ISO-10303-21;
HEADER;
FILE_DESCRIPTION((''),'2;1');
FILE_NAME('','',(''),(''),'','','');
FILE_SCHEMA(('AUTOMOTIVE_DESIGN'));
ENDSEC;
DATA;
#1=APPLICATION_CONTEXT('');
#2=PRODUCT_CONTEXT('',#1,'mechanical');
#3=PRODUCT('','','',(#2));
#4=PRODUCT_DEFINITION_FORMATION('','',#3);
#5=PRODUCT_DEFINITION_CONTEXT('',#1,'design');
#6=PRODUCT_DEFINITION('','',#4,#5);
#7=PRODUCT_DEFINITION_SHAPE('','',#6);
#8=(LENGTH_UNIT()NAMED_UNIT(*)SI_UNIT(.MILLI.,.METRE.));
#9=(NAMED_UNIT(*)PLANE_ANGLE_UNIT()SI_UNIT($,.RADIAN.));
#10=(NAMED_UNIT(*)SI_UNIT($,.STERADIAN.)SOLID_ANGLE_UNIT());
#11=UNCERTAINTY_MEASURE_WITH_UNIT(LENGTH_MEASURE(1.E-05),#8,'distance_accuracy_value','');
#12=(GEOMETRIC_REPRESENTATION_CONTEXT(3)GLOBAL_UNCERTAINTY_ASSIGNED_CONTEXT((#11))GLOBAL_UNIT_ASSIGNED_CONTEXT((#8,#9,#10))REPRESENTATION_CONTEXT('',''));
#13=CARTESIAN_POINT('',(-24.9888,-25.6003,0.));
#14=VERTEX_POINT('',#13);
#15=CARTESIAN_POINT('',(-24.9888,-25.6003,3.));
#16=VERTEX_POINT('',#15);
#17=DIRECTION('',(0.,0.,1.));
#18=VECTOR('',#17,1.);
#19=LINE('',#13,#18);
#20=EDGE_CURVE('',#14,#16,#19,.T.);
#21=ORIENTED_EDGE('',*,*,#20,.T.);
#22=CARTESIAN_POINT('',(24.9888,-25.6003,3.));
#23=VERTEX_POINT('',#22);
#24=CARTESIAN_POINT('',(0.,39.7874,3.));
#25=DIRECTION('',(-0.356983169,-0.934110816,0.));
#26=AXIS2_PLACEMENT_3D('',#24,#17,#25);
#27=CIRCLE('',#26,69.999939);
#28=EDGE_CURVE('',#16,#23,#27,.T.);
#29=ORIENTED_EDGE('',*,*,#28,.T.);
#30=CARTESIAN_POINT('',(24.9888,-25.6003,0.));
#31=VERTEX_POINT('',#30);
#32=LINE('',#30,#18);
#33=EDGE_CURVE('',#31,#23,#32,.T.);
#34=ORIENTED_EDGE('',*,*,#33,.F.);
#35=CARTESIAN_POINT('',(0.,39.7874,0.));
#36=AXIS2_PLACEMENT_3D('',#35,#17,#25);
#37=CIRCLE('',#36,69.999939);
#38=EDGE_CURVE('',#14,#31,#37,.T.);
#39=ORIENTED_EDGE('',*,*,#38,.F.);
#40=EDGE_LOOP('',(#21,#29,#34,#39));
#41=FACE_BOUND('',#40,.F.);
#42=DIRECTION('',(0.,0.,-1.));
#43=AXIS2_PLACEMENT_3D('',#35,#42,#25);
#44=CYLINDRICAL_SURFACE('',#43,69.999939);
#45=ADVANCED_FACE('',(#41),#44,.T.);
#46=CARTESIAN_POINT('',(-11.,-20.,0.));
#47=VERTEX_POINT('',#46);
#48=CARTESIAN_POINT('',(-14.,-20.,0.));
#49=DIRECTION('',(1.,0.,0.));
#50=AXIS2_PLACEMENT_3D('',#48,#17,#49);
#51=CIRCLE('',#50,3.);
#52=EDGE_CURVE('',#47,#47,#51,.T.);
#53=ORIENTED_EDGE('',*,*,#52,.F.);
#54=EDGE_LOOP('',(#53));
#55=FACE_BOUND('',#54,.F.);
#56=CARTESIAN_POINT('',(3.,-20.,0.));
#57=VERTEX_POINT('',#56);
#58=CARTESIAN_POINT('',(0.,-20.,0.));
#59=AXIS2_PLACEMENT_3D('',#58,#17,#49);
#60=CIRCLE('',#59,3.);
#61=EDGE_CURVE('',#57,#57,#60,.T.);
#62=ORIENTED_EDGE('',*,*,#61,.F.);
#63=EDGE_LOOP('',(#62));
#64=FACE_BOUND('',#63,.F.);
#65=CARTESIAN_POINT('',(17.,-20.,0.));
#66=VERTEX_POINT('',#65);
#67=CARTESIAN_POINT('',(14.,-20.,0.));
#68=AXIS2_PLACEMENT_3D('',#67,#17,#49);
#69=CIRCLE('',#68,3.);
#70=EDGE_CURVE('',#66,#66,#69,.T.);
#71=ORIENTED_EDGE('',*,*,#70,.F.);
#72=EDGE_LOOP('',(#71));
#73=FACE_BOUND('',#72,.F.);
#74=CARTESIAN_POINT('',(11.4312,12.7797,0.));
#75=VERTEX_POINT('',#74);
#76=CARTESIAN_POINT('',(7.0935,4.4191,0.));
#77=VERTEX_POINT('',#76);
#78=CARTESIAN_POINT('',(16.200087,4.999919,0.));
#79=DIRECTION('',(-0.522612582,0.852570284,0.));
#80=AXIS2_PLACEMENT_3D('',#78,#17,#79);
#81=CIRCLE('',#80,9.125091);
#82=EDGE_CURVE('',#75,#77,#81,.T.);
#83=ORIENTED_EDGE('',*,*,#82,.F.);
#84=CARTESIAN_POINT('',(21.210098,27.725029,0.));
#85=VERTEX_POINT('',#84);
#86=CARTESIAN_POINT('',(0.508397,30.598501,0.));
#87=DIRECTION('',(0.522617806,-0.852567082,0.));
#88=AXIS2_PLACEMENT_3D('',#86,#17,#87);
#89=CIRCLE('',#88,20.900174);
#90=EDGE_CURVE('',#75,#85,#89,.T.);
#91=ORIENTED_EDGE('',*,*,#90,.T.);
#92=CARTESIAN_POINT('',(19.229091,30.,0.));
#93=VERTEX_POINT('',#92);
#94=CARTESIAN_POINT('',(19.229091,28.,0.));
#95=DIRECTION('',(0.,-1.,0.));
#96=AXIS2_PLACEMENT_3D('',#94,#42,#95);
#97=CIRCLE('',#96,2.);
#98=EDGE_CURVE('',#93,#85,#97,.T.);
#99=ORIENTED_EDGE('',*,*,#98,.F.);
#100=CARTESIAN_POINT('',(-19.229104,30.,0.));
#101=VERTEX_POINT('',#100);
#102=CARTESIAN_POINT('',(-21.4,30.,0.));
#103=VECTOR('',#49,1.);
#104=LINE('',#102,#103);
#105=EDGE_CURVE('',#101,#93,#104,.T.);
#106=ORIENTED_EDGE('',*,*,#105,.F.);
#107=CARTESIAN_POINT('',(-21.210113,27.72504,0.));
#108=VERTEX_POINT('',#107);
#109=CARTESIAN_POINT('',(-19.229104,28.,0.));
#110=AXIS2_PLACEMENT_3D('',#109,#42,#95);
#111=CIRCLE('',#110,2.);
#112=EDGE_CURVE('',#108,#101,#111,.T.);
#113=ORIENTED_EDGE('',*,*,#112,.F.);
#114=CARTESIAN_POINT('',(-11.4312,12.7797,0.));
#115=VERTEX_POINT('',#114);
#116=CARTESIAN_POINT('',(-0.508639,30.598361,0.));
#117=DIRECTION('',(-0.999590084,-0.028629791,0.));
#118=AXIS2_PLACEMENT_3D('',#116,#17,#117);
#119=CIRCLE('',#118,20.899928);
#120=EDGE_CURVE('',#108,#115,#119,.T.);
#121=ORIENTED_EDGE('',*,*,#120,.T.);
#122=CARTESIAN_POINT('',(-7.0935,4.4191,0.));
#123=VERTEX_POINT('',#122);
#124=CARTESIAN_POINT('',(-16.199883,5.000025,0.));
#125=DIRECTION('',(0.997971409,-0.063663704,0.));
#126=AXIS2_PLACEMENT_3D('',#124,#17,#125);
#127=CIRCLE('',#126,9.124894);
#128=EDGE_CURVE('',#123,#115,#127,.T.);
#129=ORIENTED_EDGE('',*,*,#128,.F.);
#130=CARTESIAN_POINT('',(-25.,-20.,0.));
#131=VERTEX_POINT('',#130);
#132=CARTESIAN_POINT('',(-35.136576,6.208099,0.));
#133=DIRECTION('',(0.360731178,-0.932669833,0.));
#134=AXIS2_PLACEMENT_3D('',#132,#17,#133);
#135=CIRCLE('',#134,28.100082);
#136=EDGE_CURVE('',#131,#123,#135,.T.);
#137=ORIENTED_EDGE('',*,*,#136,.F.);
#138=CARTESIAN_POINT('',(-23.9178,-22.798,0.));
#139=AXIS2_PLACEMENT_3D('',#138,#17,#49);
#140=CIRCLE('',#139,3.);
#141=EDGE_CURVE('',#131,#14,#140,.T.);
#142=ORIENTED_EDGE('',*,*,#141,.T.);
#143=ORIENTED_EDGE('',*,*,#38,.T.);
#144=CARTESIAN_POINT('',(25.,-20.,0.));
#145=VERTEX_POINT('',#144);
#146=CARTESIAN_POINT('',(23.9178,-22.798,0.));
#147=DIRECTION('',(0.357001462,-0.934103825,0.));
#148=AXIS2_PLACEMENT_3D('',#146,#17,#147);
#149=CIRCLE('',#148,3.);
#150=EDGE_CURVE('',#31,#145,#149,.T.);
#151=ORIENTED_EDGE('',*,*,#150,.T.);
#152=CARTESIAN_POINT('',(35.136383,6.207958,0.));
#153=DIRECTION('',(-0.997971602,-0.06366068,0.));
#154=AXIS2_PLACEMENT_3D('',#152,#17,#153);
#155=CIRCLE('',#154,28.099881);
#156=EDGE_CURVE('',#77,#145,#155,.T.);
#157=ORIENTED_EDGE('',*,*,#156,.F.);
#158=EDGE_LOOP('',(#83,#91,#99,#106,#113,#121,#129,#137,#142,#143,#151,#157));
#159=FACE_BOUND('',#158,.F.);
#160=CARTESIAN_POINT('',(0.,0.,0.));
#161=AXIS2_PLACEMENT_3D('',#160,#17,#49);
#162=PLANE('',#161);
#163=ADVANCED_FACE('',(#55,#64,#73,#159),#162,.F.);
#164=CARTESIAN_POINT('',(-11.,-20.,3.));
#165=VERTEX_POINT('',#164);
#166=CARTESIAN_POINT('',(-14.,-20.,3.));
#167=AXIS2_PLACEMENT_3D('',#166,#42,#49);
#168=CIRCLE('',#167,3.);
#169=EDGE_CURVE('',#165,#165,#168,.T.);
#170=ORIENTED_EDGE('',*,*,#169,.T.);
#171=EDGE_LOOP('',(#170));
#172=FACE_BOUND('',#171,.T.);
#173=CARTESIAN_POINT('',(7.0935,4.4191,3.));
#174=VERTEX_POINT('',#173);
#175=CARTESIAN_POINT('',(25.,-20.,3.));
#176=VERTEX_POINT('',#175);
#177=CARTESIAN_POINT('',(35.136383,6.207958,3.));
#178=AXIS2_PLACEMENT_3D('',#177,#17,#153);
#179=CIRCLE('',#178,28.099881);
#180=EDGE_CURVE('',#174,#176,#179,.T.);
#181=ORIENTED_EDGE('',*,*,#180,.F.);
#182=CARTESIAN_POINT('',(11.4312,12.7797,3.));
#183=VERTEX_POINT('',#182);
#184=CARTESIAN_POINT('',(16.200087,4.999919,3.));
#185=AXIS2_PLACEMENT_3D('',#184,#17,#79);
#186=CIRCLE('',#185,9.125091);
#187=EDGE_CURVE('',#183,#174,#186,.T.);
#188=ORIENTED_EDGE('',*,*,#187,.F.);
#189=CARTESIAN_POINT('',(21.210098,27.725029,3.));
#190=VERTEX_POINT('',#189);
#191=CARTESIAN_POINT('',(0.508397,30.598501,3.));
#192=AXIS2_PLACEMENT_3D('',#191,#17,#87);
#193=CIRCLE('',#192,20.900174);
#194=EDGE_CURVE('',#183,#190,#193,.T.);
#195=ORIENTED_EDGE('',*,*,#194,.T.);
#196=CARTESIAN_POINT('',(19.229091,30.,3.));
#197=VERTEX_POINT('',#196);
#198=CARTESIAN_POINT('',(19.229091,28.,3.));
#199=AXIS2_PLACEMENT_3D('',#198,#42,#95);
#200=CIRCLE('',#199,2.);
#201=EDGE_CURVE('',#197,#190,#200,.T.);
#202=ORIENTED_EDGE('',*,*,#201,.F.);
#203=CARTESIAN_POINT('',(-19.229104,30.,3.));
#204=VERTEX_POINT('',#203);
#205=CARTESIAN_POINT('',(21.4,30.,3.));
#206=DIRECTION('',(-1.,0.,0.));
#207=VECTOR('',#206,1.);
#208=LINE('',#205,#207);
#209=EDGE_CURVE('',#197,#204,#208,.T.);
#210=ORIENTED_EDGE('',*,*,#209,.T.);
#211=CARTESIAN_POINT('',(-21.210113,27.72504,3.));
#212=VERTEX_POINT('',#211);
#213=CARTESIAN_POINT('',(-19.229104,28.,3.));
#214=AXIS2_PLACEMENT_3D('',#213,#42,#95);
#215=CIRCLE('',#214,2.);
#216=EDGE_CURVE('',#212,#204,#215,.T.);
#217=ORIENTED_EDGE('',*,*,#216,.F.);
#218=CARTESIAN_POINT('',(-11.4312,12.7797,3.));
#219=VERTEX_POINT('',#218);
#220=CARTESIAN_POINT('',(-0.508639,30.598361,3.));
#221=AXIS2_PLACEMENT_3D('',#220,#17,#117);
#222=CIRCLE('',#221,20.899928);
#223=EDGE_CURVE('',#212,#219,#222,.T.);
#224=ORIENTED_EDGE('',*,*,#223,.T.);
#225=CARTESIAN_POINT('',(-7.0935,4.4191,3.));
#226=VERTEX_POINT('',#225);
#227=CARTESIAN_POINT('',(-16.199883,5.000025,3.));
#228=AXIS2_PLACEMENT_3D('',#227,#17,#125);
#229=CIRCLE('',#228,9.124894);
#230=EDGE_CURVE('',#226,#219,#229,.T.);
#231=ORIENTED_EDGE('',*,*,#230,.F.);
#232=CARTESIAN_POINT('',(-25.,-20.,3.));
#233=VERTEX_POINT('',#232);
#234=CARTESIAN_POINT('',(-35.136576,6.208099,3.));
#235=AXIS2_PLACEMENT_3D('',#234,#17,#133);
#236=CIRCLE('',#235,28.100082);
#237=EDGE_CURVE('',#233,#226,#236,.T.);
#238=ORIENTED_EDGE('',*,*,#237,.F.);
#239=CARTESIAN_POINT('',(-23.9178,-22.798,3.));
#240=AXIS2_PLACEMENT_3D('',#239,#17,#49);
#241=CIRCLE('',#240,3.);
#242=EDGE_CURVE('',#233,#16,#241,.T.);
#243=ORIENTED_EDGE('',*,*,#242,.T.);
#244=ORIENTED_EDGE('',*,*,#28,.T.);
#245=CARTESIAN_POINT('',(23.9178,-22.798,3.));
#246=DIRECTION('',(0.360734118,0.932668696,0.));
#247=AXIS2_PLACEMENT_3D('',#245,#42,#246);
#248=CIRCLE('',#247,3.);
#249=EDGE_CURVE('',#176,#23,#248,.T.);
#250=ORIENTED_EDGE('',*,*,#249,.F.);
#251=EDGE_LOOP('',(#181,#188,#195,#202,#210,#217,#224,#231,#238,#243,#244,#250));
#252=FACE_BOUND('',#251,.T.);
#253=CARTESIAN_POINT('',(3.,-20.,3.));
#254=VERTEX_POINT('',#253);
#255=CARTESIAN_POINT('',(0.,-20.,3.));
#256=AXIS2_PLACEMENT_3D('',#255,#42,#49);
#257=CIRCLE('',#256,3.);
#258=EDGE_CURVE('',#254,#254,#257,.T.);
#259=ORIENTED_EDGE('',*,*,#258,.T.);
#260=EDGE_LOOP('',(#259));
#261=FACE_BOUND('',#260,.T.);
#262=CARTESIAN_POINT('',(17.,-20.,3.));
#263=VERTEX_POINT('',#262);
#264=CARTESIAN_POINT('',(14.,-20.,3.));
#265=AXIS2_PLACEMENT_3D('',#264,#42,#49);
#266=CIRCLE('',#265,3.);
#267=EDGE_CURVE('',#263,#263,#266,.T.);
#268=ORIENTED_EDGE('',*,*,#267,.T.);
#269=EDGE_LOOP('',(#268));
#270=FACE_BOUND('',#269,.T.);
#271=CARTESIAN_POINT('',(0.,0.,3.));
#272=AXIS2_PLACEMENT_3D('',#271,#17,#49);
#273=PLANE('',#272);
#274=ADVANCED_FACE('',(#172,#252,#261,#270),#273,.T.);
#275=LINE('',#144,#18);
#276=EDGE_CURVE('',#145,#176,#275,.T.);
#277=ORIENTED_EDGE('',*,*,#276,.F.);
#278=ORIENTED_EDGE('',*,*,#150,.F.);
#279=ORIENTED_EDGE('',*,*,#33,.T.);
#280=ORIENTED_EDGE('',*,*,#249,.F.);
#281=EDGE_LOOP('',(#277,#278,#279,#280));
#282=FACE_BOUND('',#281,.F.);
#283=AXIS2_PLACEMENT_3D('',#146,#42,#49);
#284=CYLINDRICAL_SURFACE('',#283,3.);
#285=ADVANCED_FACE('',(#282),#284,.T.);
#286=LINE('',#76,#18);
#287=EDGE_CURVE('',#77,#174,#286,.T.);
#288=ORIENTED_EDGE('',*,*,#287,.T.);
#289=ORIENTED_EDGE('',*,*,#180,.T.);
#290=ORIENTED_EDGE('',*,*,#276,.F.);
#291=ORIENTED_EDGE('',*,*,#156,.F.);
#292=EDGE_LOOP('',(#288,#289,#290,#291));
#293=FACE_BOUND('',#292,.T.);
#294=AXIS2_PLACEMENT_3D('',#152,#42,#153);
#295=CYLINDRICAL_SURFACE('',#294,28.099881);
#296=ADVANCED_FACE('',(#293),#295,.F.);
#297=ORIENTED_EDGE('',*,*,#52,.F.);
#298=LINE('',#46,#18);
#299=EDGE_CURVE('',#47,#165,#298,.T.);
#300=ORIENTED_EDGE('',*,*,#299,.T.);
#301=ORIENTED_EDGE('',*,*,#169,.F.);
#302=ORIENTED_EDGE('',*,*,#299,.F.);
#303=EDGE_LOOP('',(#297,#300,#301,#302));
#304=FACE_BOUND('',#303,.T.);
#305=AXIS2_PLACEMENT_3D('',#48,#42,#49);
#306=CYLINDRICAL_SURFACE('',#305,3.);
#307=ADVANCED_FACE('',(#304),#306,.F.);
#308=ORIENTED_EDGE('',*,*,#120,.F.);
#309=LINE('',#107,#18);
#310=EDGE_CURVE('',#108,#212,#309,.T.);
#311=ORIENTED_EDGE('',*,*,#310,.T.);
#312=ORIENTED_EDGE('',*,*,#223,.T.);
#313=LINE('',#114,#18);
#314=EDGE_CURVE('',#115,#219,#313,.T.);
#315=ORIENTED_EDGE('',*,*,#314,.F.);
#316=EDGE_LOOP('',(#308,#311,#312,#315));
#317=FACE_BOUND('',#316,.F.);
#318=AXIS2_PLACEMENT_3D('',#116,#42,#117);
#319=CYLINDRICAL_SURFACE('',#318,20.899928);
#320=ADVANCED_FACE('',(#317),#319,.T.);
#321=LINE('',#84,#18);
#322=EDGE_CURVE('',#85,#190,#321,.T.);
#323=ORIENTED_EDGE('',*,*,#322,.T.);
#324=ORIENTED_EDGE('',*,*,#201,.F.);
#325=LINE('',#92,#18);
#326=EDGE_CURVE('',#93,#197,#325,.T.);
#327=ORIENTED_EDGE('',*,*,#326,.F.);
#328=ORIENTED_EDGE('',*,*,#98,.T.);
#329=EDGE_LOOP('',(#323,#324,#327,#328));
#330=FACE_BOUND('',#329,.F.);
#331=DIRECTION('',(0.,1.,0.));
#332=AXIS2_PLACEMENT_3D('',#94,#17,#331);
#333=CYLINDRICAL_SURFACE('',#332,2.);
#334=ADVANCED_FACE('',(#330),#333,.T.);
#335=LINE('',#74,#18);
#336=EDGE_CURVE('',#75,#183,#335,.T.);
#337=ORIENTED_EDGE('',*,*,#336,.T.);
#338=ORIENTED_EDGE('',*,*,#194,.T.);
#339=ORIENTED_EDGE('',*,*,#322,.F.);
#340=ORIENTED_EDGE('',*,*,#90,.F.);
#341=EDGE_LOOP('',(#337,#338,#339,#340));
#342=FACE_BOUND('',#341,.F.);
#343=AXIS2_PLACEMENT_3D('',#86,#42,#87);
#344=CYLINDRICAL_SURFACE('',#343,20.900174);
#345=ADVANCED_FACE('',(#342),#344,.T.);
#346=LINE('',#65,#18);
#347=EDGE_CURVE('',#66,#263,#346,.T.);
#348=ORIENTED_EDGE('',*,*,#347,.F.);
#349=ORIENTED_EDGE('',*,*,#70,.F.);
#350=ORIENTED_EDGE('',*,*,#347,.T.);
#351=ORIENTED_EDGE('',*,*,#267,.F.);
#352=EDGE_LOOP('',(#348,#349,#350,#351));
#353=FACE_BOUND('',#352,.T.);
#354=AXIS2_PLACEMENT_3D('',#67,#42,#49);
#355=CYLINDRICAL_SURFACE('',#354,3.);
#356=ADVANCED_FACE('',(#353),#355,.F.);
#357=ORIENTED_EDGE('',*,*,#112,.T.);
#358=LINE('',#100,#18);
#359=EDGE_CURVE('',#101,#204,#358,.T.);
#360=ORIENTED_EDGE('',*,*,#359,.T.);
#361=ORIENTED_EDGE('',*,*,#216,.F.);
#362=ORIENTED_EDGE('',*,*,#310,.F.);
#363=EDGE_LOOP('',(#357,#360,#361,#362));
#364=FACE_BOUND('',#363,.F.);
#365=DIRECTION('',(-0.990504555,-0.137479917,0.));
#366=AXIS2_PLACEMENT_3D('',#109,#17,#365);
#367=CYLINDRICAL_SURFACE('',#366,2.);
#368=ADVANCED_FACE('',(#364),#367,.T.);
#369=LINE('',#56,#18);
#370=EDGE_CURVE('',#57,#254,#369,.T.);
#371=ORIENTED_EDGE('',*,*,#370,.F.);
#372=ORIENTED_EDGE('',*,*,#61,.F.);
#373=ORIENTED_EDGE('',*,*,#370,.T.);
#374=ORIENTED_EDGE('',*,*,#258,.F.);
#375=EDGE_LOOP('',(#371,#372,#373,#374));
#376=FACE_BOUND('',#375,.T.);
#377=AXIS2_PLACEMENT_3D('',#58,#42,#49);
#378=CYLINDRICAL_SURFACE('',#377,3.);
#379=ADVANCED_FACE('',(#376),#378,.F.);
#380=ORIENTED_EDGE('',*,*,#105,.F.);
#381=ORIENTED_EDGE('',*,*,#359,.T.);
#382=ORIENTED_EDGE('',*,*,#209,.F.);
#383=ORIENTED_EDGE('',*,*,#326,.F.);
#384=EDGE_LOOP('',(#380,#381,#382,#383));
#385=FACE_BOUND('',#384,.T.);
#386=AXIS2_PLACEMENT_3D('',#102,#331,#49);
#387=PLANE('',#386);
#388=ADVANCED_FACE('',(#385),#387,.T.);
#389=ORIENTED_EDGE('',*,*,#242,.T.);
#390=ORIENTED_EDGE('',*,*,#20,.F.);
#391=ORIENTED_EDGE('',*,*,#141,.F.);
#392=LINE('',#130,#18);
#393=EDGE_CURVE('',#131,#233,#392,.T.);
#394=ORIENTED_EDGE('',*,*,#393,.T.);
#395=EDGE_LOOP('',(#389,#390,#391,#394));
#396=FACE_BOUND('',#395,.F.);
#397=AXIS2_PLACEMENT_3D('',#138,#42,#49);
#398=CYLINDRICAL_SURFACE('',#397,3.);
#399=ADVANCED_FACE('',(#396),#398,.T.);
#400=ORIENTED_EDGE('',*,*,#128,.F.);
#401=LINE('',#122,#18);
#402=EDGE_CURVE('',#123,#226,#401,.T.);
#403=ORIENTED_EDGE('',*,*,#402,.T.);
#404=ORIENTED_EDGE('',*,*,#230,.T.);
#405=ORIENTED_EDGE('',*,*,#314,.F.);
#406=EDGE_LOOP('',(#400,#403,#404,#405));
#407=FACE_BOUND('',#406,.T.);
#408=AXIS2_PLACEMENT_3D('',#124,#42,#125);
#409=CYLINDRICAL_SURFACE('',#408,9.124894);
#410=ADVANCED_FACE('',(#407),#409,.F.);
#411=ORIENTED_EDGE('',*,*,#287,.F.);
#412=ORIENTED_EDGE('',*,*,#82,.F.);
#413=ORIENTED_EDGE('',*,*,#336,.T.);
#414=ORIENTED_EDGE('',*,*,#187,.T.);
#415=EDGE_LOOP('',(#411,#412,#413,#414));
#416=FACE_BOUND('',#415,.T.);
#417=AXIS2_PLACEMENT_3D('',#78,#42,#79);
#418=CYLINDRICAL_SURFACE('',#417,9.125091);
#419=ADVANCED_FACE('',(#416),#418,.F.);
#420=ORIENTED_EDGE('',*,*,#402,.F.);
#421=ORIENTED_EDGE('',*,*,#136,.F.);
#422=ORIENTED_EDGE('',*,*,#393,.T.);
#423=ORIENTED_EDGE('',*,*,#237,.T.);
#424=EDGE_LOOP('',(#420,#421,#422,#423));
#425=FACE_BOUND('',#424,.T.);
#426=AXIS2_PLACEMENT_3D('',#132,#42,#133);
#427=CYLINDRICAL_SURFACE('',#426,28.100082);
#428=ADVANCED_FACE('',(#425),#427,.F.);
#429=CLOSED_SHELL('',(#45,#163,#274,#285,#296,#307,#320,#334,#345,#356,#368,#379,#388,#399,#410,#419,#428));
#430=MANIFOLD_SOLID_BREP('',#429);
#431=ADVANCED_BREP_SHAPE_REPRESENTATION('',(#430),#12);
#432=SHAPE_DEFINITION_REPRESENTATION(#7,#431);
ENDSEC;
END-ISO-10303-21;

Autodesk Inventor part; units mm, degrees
ref_plane "YZ Plane" through (0, 0, 0) normal (1, 0, 0) x (0, 1, 0)
ref_plane "XZ Plane" through (0, 0, 0) normal (0, 1, 0) x (-1, 0, 0)
ref_plane "XY Plane" through (0, 0, 0) normal (0, 0, 1) x (1, 0, 0)
sketch "Sketch1" plane through (0, 0, 0) normal (0, 0, 1) x (1, 0, 0)
  circle A0 centre (16.2, 5) radius 9.025
  arc A1 (15.9625, 14.0219) -> (35.7029, 29.6112) centre (15.41, 35.0146) ccw
  arc A2 (8.6866, 0) -> (52.5133, -3.5421) centre (31.9968, 15.5125) ccw
  circle A3 centre (16.2, 5) radius 6.025
  arc A4 (70.0205, 42.4797) -> (35.7029, 29.6112) centre (57.4454, 23.8218) ccw
  circle A5 centre (14, -20) radius 3
  circle A6 centre (0, -20) radius 3
  circle A7 centre (-14, -20) radius 3
  line L0 (16.2, 5) -> (136.0469, 5) construction
  line L1 (16.2, 5) -> (120.1794, 65.0325) construction
  line L2 (16.2, 5) -> (136.265, 5) construction
  line L3 (16.2, 5) -> (121.2083, -55.6266) construction
  line L4 (16.2, 5) -> (137.4531, 5) construction
  arc A8 (11.4834, 12.6944) -> (20.7844, 36.0654) centre (0.5085, 30.5984) ccw construction
  arc A9 (7.1931, 4.4289) -> (43.377, -20.5519) centre (35.1365, 6.208) ccw construction
  arc A10 (11.4312, 12.7797) -> (21.4, 30) centre (0.5085, 30.5984) ccw
  line L5 (21.4, 30) -> (0, 30)
  arc A11 (7.0935, 4.4191) -> (25, -20) centre (35.1365, 6.208) ccw
  arc A12 (11.4312, 12.7797) -> (7.0935, 4.4191) centre (16.2, 5) ccw
  line L6 (0, 30) -> (0, -48.3313) construction
  line L7 (-21.4, 30) -> (0, 30)
  arc A13 (-21.4, 30) -> (-11.4312, 12.7797) centre (-0.5085, 30.5984) ccw
  arc A14 (-7.0935, 4.4191) -> (-11.4312, 12.7797) centre (-16.2, 5) ccw
  arc A15 (-25, -20) -> (-7.0935, 4.4191) centre (-35.1365, 6.208) ccw
  line L8 (-36.0984, -20) -> (40.4938, -20)
  circle A16 centre (23.9178, -22.798) radius 3
  circle A17 centre (-23.9178, -22.798) radius 3
  arc A18 (-24.9888, -25.6003) -> (24.9888, -25.6003) centre (0, 39.7874) ccw
  line L9 (-31.4755, -75) -> (165.3406, -75) construction
  point P0 (0, 0)
  point P1 (25.2806, -20)
  point P2 (-25.2806, -20)
  point P3 (-20.9441, -22.4019)
  point P4 (28.425, 18.534)
  dimension "d0" = 6
  dimension "d1" = 6
  dimension "d2" = 6
  dimension "d3" = 30
  dimension "d4" = 30
  dimension "d5" = 0.1
  dimension "d6" = 0.1
  dimension "d7" = 20.9
  dimension "d8" = 9.125
  dimension "d9" = 30
  dimension "d10" = 20
  dimension "d11" = 21.4
  dimension "d12" = 28
  dimension "d13" = 6
  dimension "d14" = 6
  dimension "d15" = 70
  dimension "d16" = 14
  dimension "d17" = 14
  dimension "d18" = 25
  dimension "d19" = 75
extrude "Extrusion1" add sketch "Sketch1" along normal blind 3 contours L8 A16 A18 A17 A7 A6 A5 | A5 L8 A6 A7 A17 A15 A14 A13 L7 L5 A10 A12 A11 A16 | A16 L8 | L8 A16 | A17 L8 | A17 L8
fillet "Fillet1" radius 2 2 edges at (21.4, 30, 1.5) (-21.4, 30, 1.5)
properties part number "中間ユニット外"
